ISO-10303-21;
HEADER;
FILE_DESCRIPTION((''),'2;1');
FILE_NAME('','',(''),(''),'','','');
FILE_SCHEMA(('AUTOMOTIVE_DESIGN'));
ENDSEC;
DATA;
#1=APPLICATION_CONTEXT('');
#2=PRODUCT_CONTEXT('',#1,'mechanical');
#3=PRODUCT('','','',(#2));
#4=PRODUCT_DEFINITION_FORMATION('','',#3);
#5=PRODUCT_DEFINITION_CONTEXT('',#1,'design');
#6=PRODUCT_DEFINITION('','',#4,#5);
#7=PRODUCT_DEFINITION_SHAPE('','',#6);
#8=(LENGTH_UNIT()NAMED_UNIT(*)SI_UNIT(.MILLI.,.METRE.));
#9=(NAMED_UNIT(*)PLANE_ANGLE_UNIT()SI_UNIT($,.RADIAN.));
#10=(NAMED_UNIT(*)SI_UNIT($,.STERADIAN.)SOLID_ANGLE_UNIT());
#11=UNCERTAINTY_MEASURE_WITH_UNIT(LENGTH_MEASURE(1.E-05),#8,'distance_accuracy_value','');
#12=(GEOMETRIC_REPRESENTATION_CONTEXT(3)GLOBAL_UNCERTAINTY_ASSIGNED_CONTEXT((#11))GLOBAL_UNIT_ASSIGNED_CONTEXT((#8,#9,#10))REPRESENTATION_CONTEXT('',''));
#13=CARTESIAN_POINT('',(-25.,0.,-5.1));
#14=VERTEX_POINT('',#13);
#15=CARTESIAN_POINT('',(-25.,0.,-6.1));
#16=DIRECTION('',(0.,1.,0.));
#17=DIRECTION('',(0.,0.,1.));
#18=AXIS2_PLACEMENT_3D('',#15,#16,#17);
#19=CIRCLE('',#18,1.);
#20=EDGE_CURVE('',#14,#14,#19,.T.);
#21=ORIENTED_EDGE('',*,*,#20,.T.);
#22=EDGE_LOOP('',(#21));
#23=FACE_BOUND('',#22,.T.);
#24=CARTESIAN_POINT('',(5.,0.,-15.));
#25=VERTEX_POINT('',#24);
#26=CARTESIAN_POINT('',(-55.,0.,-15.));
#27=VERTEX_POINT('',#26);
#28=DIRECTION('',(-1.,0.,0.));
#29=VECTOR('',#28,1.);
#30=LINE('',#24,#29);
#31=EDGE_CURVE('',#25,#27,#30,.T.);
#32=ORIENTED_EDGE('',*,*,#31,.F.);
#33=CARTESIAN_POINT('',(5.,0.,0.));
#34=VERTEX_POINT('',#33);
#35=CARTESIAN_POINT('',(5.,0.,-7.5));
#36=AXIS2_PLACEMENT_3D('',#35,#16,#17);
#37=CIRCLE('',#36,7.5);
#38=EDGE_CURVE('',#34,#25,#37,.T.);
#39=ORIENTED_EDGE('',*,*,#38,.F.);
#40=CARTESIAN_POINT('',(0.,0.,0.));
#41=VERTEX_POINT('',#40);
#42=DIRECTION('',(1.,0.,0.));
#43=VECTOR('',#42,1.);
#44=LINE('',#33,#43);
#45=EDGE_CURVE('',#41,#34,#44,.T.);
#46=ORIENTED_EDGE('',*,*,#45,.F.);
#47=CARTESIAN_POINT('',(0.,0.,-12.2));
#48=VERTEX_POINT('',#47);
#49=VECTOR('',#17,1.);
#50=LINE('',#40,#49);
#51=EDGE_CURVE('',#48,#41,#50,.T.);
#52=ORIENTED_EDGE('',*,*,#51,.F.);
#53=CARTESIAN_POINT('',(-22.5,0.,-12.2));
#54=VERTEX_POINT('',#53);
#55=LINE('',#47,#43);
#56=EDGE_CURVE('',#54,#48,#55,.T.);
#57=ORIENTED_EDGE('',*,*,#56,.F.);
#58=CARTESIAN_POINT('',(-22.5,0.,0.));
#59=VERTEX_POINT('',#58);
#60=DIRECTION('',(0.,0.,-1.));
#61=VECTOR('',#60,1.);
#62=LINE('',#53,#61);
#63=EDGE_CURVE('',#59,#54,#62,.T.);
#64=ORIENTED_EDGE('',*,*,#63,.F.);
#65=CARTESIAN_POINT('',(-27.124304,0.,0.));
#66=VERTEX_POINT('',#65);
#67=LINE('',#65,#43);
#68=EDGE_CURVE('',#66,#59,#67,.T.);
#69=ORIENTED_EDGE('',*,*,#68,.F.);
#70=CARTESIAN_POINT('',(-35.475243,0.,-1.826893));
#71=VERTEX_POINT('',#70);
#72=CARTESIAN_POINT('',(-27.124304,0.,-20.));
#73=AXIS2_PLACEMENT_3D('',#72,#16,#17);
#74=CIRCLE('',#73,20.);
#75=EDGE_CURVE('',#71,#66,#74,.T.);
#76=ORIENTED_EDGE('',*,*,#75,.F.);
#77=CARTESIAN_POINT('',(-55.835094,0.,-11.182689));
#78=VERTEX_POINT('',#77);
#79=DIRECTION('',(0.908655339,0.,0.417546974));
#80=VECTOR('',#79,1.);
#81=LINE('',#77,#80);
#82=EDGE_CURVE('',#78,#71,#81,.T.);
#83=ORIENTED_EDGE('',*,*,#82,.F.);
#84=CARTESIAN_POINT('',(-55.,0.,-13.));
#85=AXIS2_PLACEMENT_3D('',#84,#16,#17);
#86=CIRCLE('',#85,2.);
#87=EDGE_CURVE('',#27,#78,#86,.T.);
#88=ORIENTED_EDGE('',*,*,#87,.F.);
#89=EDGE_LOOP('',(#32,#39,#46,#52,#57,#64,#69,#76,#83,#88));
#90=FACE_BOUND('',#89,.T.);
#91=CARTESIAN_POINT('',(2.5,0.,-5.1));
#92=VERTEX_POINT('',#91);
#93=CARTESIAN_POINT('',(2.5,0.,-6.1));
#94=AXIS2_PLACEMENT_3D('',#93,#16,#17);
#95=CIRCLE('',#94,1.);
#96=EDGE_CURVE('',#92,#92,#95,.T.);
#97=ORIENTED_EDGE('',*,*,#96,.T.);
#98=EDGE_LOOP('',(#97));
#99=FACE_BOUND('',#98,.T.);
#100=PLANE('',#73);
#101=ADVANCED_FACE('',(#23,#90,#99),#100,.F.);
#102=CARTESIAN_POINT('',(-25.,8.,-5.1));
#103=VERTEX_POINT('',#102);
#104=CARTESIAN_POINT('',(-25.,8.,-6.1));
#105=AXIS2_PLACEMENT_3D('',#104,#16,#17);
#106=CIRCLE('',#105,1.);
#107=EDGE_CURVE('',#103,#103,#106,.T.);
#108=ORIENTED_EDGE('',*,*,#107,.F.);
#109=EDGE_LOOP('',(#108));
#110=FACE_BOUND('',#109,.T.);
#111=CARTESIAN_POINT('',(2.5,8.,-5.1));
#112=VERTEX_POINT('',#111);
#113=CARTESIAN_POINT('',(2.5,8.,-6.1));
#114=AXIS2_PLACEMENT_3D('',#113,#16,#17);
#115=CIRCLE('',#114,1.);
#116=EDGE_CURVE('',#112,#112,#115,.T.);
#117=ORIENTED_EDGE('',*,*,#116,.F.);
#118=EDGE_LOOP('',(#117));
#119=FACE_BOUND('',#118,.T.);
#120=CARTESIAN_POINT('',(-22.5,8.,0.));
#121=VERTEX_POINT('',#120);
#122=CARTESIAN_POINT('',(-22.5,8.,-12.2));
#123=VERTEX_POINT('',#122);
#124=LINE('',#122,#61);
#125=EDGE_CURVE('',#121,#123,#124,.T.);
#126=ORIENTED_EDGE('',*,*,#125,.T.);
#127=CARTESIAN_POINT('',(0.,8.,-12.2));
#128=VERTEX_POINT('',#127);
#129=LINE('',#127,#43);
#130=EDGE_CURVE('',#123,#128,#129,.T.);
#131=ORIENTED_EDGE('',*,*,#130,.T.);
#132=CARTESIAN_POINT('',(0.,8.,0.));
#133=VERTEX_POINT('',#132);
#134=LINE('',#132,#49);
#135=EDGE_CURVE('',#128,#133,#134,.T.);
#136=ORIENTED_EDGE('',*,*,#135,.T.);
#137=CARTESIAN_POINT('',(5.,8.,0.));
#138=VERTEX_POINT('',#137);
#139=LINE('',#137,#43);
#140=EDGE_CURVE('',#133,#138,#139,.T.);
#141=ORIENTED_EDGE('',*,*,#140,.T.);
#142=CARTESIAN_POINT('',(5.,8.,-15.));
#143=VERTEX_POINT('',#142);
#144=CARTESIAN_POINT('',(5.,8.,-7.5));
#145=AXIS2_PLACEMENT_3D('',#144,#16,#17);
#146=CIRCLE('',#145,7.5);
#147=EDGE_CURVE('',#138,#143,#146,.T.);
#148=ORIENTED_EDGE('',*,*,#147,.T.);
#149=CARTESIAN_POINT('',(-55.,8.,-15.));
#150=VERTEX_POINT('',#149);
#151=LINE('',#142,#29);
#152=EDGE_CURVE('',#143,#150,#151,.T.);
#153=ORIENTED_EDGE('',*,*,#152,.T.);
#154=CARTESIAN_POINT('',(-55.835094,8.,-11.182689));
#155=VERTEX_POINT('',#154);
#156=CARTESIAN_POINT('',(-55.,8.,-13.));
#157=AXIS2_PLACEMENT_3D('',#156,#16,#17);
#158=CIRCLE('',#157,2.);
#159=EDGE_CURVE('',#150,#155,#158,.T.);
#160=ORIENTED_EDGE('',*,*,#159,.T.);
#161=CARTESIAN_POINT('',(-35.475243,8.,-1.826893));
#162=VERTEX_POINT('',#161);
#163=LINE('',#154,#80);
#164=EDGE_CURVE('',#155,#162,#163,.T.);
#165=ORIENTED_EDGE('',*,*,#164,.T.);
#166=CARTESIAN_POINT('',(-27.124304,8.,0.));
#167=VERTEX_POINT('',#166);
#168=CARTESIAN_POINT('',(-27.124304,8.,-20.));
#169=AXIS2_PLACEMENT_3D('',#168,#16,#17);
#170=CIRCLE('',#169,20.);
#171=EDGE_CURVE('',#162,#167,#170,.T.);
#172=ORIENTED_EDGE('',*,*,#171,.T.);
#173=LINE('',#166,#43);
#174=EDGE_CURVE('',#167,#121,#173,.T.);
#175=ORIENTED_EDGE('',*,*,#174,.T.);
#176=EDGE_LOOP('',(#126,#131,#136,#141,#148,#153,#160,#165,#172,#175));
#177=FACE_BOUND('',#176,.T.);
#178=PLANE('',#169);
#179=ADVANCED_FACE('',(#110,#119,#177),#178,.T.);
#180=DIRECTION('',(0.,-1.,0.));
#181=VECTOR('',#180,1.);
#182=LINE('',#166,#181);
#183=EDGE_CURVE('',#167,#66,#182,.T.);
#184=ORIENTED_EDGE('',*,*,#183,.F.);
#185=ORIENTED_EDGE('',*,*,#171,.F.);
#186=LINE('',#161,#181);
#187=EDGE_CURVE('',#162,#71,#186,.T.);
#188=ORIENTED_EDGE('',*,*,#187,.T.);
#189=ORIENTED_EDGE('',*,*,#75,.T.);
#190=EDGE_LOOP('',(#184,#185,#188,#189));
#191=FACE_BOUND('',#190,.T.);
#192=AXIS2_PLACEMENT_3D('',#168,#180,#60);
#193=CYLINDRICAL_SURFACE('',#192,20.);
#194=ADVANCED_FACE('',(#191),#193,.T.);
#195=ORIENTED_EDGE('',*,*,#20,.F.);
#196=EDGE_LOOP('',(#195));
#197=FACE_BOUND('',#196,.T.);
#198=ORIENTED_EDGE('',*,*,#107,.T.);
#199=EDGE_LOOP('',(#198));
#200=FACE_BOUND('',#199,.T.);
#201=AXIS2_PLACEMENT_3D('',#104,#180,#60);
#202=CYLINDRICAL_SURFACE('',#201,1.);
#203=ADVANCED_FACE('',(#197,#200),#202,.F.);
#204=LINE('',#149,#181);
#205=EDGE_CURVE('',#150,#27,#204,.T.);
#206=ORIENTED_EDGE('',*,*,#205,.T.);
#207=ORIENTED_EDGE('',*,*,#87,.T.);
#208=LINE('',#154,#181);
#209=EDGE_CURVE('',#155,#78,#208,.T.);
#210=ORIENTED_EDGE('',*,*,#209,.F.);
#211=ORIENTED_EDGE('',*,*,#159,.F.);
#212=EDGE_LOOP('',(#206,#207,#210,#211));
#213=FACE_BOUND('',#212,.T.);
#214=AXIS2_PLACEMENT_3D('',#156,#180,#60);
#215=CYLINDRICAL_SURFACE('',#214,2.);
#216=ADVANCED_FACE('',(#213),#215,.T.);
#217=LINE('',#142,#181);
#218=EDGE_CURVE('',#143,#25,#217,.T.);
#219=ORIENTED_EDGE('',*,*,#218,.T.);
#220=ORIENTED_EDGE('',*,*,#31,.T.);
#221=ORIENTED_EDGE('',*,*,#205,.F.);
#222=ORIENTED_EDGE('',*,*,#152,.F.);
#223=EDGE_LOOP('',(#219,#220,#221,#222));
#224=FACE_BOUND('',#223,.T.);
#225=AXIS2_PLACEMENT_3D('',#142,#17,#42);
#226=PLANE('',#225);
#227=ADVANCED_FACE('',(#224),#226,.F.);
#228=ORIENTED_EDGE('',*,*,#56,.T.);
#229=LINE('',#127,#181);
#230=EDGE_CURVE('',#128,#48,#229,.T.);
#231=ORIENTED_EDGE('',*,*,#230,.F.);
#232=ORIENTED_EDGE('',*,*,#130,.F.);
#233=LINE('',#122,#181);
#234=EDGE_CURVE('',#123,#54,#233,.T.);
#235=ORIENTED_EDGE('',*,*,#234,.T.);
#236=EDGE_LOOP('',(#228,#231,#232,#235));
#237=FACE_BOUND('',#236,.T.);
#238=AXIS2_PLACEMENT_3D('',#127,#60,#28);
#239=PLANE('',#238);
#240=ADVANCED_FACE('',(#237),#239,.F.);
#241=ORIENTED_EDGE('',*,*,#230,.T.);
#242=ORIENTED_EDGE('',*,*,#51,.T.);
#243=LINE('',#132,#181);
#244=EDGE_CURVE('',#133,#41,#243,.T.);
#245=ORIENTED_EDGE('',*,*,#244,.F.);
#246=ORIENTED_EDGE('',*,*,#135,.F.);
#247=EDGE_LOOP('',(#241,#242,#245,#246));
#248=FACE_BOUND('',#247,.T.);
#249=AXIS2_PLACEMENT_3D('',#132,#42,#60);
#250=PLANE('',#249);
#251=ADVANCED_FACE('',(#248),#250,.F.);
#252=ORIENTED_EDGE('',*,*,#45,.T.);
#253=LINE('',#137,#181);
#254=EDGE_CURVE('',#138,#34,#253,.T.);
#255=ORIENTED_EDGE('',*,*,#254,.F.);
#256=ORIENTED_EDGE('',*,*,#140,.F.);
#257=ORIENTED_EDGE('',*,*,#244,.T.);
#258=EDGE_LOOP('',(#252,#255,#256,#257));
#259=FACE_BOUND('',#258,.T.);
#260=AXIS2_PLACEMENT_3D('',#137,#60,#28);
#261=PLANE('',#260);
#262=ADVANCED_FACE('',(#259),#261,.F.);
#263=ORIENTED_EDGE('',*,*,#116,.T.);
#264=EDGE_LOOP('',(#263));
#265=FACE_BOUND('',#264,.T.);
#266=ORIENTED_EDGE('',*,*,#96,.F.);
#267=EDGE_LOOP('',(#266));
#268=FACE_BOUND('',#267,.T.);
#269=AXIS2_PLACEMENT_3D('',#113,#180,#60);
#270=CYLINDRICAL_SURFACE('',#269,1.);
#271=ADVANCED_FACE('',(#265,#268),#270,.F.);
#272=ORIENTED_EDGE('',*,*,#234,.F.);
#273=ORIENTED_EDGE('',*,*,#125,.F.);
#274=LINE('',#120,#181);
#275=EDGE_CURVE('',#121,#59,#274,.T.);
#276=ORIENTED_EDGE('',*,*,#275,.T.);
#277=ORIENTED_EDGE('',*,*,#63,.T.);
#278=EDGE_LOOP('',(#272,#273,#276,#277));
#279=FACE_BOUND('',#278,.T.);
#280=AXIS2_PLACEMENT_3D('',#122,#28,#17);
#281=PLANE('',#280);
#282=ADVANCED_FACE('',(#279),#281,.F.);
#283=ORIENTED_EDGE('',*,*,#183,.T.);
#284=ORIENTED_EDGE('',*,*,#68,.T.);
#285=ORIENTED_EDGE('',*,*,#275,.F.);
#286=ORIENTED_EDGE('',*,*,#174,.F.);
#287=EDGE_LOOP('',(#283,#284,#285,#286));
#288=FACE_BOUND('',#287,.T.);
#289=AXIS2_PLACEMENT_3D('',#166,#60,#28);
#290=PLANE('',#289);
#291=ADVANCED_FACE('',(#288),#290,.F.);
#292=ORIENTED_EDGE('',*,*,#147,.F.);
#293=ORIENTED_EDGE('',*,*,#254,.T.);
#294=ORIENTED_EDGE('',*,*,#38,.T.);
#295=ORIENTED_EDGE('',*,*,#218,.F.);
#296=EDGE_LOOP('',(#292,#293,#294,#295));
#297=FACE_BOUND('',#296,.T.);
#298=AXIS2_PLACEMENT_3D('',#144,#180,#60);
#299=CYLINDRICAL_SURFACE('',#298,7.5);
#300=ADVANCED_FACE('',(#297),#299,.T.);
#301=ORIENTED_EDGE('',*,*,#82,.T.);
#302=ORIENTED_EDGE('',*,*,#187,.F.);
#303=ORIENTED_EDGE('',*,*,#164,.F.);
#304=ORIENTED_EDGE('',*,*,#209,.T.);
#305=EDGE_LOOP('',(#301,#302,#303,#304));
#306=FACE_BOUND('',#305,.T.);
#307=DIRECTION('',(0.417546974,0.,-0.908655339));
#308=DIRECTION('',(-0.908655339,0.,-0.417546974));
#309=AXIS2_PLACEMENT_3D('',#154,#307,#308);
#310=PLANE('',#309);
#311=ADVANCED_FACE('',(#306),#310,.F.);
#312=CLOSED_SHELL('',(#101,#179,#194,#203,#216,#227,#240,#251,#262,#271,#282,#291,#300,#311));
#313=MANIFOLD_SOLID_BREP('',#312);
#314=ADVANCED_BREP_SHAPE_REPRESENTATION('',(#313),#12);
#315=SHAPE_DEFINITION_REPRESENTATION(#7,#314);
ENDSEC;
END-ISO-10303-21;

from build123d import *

# Parameters (mm, degrees)
SKETCH_1_R      = 1
EXTRUDE_1_DEPTH = 8


with BuildPart() as part:
    # 草圖1 → 填料-伸長1 (new body)
    with BuildSketch(Plane(origin=(0, 0, 0), x_dir=(1, 0, 0), z_dir=(0, 1, 0))):
        with BuildLine():
            Line((0, 0), (0, 12.2))
            Line((0, 12.2), (-22.5, 12.2))
            Line((-22.5, 12.2), (-22.5, 0))
            Line((-22.5, 0), (-27.124303732, 0))
            ThreePointArc((-27.124303732, 0), (-31.398520886, 0.462060812), (-35.475243216, 1.826893228))
            Line((-35.475243216, 1.826893228), (-55.835093948, 11.182689323))
            ThreePointArc((-55.835093948, 11.182689323), (-56.953793919, 13.427421715), (-55, 15))
            Line((-55, 15), (5, 15))
            ThreePointArc((5, 15), (12.5, 7.5), (5, 0))
            Line((5, 0), (0, 0))
        make_face()
        with Locations(Location((-25, 6.1, 0), (0, 0, 270))):
            Circle(SKETCH_1_R, mode=Mode.SUBTRACT)
        with Locations(Location((2.5, 6.1, 0), (0, 0, 270))):
            Circle(SKETCH_1_R, mode=Mode.SUBTRACT)
    extrude(amount=EXTRUDE_1_DEPTH)


solid = part.part
